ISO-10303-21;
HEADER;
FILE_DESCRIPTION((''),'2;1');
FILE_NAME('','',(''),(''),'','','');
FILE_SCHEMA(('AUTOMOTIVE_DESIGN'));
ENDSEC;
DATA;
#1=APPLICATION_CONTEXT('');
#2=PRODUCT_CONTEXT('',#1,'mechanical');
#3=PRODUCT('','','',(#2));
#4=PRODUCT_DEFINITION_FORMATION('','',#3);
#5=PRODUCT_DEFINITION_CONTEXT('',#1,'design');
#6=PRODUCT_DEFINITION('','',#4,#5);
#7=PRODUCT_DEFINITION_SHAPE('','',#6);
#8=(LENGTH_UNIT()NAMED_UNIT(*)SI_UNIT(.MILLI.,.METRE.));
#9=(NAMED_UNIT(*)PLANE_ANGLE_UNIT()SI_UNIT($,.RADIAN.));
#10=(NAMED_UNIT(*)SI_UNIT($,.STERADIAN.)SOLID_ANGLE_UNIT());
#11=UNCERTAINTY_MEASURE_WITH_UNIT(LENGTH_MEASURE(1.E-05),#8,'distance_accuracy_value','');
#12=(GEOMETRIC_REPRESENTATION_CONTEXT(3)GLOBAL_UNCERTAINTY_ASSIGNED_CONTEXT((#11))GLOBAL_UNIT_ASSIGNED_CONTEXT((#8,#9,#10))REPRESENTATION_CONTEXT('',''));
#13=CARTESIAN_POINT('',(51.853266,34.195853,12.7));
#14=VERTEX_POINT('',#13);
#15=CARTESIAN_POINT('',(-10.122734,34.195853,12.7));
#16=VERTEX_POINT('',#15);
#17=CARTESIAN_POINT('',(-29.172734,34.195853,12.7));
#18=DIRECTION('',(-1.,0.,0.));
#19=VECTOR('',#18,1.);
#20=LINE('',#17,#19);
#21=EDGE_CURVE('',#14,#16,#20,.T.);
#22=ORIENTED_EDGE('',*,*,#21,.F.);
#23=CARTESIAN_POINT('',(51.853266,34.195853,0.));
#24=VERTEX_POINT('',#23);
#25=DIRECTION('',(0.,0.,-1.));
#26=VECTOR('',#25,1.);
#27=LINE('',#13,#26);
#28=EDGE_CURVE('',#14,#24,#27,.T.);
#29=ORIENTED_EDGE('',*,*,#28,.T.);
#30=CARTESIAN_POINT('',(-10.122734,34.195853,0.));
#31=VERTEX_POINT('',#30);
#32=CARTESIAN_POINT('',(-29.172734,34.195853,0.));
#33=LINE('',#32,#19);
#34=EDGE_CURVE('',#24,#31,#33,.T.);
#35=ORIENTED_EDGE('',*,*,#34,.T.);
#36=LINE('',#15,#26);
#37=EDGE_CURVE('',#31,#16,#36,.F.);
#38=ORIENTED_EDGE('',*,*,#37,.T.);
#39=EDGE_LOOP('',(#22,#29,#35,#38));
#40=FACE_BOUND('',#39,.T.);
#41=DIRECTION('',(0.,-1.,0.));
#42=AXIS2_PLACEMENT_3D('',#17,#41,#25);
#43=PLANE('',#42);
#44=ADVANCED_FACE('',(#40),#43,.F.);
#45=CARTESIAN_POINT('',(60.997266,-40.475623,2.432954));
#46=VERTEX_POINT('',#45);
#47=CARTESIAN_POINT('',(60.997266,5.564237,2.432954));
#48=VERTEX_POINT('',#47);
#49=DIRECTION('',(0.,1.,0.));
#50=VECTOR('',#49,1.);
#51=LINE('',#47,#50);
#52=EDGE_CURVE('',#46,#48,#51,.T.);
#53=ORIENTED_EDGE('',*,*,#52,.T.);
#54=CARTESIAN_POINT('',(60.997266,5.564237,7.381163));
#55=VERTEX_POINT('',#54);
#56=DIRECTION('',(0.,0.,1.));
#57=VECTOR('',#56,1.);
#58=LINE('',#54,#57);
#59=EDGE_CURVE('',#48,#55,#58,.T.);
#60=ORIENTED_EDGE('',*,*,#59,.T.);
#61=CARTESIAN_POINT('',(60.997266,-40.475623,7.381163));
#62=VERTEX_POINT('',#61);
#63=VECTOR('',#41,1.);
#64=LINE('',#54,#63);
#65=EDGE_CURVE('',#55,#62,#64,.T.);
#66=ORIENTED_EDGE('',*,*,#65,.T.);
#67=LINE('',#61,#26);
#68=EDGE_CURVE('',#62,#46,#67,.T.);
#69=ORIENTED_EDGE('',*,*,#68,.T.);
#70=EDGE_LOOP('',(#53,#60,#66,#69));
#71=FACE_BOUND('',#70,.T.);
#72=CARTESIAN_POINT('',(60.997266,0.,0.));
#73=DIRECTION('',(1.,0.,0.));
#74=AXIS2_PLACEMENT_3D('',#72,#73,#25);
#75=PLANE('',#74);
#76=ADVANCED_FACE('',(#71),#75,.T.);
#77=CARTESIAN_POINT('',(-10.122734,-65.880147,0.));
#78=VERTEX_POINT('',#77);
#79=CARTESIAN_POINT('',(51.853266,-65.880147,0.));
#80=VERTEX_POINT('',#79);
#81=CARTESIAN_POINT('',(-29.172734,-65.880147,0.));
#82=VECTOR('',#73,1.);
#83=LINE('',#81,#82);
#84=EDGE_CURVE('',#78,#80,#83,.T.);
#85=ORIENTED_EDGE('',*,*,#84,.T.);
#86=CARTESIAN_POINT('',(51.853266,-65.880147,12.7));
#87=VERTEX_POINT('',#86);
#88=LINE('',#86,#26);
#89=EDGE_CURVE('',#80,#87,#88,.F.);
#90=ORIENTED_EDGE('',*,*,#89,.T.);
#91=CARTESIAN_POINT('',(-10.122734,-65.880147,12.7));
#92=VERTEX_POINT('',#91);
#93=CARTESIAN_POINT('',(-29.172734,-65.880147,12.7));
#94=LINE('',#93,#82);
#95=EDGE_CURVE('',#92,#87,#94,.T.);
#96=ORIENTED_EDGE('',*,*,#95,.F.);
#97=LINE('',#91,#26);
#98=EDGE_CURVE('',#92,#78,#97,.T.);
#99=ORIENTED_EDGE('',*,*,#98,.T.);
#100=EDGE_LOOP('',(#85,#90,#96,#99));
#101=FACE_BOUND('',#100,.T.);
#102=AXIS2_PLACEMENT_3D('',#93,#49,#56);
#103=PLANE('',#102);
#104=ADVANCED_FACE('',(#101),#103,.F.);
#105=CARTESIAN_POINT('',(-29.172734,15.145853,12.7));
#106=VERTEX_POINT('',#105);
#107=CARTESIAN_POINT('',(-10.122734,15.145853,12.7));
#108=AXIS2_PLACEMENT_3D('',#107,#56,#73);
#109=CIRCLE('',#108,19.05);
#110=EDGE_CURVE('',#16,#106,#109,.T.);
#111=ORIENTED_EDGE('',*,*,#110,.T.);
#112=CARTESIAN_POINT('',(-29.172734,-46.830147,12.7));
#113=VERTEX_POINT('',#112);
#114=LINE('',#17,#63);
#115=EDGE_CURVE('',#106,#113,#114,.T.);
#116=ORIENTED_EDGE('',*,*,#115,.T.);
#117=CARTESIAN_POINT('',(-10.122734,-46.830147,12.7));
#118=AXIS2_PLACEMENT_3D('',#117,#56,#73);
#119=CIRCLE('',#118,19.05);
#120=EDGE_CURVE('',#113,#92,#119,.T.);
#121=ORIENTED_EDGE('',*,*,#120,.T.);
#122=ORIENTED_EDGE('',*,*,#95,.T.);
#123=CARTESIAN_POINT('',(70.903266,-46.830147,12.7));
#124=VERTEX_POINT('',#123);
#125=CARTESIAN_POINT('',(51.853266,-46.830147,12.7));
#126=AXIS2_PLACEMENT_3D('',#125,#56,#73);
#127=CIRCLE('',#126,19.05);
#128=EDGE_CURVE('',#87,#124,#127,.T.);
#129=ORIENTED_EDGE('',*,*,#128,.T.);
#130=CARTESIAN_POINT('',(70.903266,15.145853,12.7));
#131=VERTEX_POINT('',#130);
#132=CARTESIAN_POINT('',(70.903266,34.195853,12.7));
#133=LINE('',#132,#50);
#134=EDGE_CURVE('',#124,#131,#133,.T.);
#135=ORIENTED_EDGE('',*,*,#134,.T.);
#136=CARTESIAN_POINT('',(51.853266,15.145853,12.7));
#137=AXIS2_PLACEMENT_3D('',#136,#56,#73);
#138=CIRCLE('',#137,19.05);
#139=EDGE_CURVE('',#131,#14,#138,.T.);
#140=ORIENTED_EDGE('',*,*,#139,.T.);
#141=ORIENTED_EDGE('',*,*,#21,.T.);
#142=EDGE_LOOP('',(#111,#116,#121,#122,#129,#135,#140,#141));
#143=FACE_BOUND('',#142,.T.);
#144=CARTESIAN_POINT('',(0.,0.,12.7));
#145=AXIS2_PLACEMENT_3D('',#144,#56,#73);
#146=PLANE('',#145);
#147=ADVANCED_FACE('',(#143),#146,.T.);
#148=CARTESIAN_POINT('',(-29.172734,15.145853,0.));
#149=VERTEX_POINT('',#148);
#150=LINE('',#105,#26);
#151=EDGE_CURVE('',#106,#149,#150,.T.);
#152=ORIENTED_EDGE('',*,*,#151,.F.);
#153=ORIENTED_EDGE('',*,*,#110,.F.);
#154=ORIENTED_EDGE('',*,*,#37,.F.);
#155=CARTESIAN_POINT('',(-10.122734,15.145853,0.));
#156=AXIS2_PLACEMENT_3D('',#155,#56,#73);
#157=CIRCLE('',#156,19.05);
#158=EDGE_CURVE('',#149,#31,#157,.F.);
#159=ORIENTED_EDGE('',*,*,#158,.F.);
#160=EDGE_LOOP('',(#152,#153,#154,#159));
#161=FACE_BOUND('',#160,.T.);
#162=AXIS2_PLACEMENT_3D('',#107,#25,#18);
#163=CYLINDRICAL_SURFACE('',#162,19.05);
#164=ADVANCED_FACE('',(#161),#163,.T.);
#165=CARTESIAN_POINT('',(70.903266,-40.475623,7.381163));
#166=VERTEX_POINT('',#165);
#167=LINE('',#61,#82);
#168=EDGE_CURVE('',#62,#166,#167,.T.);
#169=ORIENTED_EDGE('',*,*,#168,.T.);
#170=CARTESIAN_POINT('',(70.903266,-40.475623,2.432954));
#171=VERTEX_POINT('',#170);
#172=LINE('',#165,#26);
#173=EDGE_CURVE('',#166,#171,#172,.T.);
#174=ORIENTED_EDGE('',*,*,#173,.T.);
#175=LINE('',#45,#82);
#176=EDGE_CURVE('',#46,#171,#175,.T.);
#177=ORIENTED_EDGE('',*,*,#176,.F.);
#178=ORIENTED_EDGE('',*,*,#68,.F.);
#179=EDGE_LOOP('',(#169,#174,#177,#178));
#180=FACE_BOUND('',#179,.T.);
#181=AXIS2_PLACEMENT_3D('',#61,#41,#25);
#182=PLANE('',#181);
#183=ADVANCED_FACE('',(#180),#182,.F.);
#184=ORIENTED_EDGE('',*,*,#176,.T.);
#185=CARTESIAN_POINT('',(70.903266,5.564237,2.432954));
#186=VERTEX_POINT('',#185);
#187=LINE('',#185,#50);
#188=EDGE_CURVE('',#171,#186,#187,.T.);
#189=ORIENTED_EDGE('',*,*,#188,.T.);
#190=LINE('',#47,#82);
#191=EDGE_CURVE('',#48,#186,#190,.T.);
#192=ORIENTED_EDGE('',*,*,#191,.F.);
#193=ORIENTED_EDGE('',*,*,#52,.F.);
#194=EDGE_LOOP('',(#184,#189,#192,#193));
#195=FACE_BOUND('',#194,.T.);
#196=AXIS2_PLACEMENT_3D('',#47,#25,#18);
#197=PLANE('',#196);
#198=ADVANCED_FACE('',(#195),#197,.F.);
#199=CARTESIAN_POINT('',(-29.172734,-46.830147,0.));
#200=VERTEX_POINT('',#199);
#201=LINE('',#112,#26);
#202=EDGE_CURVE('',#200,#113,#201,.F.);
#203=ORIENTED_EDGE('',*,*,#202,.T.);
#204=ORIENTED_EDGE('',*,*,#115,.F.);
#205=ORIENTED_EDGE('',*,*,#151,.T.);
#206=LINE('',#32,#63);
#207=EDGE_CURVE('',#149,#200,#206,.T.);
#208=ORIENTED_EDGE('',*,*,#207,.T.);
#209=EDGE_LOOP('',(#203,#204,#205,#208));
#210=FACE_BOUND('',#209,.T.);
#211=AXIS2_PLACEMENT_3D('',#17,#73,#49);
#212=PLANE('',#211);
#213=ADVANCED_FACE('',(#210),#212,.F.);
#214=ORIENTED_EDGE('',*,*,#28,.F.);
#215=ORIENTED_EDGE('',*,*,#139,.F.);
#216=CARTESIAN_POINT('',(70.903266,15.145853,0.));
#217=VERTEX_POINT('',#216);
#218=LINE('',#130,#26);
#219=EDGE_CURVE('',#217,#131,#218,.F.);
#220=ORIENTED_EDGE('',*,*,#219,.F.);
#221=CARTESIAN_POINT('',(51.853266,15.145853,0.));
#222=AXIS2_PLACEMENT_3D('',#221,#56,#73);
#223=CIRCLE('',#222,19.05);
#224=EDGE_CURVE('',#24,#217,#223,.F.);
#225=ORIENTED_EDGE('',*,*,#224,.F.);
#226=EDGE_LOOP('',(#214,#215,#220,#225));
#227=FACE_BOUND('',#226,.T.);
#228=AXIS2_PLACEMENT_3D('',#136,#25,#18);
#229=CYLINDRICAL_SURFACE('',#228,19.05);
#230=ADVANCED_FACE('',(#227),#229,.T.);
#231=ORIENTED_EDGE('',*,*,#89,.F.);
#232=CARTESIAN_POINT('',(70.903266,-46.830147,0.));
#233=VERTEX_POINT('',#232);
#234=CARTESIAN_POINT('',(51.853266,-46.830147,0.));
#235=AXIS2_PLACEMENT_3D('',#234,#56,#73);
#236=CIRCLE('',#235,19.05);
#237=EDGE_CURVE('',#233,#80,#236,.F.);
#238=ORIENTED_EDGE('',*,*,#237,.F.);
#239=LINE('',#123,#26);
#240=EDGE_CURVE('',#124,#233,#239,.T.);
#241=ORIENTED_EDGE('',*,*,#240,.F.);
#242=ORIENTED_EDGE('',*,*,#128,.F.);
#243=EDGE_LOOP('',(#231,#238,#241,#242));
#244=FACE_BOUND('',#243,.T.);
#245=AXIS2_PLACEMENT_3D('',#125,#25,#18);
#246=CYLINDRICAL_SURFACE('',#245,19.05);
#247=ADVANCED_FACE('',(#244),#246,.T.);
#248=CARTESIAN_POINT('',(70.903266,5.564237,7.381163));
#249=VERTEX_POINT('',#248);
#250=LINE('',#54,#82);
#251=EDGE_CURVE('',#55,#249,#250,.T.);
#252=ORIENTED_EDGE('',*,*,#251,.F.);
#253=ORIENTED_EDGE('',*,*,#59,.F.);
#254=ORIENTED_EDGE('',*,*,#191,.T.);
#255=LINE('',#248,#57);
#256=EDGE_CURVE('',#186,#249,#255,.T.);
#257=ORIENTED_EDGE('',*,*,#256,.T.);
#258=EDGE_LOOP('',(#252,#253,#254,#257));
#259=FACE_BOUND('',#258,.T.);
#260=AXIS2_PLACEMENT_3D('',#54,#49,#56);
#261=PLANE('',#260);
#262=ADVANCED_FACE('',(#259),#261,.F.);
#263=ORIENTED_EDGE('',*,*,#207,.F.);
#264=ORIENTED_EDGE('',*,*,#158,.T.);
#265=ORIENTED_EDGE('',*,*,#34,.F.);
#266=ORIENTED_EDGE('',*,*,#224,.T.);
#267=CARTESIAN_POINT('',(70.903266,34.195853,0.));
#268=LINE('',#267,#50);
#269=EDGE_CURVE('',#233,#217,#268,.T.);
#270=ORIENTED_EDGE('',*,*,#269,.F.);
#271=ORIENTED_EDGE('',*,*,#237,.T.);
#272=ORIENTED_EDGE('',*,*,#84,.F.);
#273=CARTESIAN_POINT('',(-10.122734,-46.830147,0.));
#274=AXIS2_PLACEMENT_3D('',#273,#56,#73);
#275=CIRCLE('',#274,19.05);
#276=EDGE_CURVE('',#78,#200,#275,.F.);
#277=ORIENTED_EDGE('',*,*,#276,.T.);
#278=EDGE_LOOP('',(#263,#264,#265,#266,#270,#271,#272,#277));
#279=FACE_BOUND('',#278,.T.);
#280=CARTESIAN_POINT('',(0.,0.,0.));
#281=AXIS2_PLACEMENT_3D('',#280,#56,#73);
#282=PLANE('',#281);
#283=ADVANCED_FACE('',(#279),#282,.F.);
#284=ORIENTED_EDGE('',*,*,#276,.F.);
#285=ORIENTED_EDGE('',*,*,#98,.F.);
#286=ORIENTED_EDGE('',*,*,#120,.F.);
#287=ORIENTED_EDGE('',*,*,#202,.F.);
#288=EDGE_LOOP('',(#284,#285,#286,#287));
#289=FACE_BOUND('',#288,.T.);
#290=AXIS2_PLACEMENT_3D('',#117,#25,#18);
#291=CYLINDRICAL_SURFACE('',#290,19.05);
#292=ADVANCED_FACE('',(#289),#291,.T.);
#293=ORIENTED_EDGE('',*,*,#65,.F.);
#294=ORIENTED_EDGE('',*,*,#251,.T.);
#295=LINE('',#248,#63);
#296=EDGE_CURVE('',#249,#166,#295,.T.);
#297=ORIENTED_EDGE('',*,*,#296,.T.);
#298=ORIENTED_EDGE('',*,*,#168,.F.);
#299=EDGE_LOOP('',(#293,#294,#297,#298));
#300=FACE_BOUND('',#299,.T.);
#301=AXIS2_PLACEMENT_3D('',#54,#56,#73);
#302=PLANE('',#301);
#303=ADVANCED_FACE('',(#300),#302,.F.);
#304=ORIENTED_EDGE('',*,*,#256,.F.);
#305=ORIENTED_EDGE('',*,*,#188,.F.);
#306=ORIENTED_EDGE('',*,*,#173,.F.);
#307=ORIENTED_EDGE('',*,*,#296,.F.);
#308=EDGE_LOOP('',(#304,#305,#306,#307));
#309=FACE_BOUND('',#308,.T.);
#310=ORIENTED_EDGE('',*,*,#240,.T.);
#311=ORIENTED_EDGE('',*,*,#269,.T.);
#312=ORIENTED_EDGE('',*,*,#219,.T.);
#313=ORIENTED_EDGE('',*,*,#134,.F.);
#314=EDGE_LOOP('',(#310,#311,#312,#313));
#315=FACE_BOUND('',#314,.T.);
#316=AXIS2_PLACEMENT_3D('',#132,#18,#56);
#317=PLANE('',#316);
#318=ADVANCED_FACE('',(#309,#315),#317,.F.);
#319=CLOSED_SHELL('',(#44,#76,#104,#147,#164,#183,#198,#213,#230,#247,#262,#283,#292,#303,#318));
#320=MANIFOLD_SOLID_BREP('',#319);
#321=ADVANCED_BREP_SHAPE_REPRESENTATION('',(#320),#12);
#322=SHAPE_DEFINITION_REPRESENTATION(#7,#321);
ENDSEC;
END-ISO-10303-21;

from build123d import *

# Parameters (mm, degrees)
SKETCH2_W           = 100.076
SKETCH2_H           = 100.076
BOSS_EXTRUDE2_DEPTH = 12.7
FILLET1_R           = 19.05
SKETCH3_W           = 4.948209201
SKETCH3_H           = 46.039859528
CUT_EXTRUDE1_DEPTH  = 9.906


with BuildPart() as part:
    # Sketch2 → Boss-Extrude2 (new body)
    with BuildSketch(Plane.XY):
        with Locations((20.865266409, -15.842146718)):
            Rectangle(SKETCH2_W, SKETCH2_H)
    extrude(amount=BOSS_EXTRUDE2_DEPTH)

    # Fillet1
    fillet1_edges = [part.edges().sort_by_distance(p)[0] for p in [
        (-29.172733591, 34.195853282, 6.35),
        (70.903266409, 34.195853282, 6.35),
        (70.903266409, -65.880146718, 6.35),
        (-29.172733591, -65.880146718, 6.35),
    ]]
    fillet(fillet1_edges, radius=FILLET1_R)

    # Sketch3 → Cut-Extrude1 (cut)
    with BuildSketch(Plane(origin=(70.903266409, 0, 0), x_dir=(0, 0, -1), z_dir=(1, 0, 0))):
        with Locations((-4.90705885, -17.455693197)):
            Rectangle(SKETCH3_W, SKETCH3_H)
    extrude(amount=-CUT_EXTRUDE1_DEPTH, mode=Mode.SUBTRACT)


solid = part.part
